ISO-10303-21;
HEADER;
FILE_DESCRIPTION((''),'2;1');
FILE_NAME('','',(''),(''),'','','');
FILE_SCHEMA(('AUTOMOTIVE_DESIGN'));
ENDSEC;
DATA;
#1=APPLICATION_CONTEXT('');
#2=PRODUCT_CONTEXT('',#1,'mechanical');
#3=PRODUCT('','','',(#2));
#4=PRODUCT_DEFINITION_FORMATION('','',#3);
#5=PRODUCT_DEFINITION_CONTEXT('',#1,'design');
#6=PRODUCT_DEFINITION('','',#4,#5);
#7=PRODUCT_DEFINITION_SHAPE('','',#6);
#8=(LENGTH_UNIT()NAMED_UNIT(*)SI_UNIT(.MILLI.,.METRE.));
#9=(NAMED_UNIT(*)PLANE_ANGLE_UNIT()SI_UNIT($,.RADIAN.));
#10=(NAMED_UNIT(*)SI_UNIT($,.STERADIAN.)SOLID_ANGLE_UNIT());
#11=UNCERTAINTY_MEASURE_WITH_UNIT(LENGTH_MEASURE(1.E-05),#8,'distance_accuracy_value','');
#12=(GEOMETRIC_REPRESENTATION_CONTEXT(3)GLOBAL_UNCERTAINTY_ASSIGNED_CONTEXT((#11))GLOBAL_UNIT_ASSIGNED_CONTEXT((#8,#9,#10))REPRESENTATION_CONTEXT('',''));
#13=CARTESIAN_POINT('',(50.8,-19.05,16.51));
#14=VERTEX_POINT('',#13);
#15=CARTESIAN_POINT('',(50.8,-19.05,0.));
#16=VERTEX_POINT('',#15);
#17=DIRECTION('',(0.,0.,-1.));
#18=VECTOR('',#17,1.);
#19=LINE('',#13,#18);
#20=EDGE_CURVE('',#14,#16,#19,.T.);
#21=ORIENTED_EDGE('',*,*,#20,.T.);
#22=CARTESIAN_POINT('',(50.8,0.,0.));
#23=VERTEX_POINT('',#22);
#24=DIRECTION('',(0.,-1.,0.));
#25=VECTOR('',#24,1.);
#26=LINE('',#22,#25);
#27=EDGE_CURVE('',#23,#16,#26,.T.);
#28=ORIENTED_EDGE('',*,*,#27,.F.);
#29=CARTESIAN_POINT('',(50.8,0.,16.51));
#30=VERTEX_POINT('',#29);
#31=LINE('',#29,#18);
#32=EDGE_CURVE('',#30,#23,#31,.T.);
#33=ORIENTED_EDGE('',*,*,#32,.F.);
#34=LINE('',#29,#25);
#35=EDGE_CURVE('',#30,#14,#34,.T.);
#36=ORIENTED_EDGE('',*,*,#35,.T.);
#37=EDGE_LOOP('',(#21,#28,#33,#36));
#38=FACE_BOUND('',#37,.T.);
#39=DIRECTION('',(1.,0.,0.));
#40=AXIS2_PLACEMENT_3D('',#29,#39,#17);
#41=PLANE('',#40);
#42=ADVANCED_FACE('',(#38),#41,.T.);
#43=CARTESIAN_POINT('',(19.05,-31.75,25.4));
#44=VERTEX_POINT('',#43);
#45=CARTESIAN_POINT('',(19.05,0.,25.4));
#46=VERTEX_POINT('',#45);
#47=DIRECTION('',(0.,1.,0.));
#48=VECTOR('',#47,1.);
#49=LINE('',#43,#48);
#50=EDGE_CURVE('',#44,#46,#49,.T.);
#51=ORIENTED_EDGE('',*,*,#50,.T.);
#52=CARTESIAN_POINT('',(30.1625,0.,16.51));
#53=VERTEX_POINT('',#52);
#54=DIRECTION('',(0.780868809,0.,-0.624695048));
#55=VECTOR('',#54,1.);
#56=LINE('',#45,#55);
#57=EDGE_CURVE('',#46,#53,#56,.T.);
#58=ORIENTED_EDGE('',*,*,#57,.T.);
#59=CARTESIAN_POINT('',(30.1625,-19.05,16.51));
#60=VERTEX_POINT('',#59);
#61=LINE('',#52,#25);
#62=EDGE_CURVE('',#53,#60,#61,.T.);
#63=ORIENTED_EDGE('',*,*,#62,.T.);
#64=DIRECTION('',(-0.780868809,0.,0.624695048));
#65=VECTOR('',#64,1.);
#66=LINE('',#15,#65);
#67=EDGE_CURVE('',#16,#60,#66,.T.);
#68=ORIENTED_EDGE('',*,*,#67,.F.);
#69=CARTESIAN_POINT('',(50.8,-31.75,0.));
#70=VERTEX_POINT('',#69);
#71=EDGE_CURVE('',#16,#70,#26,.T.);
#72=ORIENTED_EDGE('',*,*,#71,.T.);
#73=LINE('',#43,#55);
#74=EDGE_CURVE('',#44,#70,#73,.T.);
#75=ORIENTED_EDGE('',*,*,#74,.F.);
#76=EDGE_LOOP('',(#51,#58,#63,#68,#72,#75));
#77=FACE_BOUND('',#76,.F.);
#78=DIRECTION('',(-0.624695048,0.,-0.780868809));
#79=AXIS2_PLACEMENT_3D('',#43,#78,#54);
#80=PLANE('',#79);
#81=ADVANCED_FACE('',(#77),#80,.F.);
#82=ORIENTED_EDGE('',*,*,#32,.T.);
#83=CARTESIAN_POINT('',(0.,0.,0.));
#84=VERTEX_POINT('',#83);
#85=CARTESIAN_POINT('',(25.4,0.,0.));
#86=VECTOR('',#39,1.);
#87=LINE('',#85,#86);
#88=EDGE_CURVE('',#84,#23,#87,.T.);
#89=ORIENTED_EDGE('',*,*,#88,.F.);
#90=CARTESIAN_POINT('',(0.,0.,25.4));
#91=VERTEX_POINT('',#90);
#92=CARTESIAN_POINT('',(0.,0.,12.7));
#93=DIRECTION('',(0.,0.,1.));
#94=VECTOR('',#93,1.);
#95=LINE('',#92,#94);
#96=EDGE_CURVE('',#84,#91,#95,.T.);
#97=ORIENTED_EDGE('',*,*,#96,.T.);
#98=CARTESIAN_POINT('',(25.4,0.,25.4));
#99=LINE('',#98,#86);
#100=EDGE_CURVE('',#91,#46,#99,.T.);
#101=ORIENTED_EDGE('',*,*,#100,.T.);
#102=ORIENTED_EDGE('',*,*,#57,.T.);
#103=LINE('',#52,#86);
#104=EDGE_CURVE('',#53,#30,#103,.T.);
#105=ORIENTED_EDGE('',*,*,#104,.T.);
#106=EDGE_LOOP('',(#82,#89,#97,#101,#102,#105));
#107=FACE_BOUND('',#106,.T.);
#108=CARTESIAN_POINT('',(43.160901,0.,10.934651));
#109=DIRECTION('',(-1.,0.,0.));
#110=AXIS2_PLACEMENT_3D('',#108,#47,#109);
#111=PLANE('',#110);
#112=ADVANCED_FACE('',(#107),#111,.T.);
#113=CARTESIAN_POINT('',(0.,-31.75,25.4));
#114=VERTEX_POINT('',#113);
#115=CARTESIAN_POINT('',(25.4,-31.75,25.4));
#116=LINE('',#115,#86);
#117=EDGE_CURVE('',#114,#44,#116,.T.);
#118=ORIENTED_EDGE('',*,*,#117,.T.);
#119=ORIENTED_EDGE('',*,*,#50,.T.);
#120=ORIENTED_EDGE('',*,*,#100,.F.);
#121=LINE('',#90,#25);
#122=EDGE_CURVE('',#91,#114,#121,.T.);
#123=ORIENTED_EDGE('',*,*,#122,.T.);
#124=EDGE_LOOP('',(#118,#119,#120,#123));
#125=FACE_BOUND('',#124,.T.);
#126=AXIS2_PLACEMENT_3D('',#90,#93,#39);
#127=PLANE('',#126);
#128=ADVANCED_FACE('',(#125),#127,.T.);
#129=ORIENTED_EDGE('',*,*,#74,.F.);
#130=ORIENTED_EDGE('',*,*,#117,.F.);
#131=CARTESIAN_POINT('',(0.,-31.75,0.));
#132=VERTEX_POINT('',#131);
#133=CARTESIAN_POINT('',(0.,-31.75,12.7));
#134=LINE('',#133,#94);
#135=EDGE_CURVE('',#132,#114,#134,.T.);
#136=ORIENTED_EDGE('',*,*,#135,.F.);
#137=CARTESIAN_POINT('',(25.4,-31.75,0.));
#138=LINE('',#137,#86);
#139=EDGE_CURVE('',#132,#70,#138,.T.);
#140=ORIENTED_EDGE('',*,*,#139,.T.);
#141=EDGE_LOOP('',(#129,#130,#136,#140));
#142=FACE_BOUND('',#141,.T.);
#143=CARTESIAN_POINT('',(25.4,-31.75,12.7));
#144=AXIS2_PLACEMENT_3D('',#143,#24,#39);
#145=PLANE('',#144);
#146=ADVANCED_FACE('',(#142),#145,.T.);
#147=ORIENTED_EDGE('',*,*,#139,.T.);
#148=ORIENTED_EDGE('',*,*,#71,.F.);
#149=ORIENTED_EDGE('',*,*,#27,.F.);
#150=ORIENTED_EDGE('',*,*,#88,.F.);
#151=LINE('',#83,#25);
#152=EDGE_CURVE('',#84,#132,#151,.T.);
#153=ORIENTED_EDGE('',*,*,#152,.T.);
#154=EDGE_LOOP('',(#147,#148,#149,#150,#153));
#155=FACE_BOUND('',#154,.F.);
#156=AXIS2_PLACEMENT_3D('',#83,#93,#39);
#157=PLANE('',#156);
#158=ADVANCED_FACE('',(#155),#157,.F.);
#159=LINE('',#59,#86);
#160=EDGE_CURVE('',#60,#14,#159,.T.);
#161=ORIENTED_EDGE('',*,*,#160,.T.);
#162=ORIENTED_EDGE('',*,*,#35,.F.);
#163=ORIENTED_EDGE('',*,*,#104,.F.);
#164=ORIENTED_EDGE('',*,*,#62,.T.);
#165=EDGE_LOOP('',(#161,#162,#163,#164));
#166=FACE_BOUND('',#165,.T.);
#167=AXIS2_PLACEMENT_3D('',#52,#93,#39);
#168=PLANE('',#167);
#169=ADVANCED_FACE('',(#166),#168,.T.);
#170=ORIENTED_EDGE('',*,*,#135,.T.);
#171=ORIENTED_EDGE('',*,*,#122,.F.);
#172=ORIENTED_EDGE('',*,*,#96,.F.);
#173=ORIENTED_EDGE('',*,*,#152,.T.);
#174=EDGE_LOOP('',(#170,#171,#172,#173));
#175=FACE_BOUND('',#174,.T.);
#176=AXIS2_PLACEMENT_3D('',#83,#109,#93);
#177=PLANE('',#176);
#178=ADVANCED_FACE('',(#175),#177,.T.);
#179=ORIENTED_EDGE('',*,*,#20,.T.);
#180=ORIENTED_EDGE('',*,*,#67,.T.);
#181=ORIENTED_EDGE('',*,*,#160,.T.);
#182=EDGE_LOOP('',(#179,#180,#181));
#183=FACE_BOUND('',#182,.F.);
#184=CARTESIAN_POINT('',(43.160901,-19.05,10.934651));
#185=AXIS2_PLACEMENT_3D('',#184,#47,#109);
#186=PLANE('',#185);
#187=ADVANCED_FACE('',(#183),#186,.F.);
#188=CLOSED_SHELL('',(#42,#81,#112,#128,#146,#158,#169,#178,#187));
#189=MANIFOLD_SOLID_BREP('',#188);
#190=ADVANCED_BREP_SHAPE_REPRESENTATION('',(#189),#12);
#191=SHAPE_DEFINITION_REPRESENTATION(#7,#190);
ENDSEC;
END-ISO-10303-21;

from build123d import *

# Parameters (mm, degrees)
F0_W     = 50.8
F0_H     = 25.4
F1_DEPTH = 31.75
F3_DEPTH = 31.75
F5_DEPTH = 19.05


with BuildPart() as f1:
    # F0 (on Front) → F1 (new body)
    with BuildSketch(Plane.XZ):
        with Locations((25.4, 12.7)):
            Rectangle(F0_W, F0_H)
    extrude(amount=F1_DEPTH)

    # F2 (on face) → F3 (cut)
    with BuildSketch(Plane.XZ.offset(31.75)):
        Polygon((50.8, 25.4), (19.05, 25.4), (50.8, 0), align=None)
    extrude(amount=-F3_DEPTH, mode=Mode.SUBTRACT)

    # F4 (on face) → F5 (join)
    with BuildSketch(Plane(origin=(0, 0, 0), x_dir=(-1, 0, 0), z_dir=(0, 1, 0))):
        Polygon((-50.8, 16.51), (-50.8, 0), (-30.1625, 16.51), align=None)
    extrude(amount=-F5_DEPTH)


solid = f1.part
